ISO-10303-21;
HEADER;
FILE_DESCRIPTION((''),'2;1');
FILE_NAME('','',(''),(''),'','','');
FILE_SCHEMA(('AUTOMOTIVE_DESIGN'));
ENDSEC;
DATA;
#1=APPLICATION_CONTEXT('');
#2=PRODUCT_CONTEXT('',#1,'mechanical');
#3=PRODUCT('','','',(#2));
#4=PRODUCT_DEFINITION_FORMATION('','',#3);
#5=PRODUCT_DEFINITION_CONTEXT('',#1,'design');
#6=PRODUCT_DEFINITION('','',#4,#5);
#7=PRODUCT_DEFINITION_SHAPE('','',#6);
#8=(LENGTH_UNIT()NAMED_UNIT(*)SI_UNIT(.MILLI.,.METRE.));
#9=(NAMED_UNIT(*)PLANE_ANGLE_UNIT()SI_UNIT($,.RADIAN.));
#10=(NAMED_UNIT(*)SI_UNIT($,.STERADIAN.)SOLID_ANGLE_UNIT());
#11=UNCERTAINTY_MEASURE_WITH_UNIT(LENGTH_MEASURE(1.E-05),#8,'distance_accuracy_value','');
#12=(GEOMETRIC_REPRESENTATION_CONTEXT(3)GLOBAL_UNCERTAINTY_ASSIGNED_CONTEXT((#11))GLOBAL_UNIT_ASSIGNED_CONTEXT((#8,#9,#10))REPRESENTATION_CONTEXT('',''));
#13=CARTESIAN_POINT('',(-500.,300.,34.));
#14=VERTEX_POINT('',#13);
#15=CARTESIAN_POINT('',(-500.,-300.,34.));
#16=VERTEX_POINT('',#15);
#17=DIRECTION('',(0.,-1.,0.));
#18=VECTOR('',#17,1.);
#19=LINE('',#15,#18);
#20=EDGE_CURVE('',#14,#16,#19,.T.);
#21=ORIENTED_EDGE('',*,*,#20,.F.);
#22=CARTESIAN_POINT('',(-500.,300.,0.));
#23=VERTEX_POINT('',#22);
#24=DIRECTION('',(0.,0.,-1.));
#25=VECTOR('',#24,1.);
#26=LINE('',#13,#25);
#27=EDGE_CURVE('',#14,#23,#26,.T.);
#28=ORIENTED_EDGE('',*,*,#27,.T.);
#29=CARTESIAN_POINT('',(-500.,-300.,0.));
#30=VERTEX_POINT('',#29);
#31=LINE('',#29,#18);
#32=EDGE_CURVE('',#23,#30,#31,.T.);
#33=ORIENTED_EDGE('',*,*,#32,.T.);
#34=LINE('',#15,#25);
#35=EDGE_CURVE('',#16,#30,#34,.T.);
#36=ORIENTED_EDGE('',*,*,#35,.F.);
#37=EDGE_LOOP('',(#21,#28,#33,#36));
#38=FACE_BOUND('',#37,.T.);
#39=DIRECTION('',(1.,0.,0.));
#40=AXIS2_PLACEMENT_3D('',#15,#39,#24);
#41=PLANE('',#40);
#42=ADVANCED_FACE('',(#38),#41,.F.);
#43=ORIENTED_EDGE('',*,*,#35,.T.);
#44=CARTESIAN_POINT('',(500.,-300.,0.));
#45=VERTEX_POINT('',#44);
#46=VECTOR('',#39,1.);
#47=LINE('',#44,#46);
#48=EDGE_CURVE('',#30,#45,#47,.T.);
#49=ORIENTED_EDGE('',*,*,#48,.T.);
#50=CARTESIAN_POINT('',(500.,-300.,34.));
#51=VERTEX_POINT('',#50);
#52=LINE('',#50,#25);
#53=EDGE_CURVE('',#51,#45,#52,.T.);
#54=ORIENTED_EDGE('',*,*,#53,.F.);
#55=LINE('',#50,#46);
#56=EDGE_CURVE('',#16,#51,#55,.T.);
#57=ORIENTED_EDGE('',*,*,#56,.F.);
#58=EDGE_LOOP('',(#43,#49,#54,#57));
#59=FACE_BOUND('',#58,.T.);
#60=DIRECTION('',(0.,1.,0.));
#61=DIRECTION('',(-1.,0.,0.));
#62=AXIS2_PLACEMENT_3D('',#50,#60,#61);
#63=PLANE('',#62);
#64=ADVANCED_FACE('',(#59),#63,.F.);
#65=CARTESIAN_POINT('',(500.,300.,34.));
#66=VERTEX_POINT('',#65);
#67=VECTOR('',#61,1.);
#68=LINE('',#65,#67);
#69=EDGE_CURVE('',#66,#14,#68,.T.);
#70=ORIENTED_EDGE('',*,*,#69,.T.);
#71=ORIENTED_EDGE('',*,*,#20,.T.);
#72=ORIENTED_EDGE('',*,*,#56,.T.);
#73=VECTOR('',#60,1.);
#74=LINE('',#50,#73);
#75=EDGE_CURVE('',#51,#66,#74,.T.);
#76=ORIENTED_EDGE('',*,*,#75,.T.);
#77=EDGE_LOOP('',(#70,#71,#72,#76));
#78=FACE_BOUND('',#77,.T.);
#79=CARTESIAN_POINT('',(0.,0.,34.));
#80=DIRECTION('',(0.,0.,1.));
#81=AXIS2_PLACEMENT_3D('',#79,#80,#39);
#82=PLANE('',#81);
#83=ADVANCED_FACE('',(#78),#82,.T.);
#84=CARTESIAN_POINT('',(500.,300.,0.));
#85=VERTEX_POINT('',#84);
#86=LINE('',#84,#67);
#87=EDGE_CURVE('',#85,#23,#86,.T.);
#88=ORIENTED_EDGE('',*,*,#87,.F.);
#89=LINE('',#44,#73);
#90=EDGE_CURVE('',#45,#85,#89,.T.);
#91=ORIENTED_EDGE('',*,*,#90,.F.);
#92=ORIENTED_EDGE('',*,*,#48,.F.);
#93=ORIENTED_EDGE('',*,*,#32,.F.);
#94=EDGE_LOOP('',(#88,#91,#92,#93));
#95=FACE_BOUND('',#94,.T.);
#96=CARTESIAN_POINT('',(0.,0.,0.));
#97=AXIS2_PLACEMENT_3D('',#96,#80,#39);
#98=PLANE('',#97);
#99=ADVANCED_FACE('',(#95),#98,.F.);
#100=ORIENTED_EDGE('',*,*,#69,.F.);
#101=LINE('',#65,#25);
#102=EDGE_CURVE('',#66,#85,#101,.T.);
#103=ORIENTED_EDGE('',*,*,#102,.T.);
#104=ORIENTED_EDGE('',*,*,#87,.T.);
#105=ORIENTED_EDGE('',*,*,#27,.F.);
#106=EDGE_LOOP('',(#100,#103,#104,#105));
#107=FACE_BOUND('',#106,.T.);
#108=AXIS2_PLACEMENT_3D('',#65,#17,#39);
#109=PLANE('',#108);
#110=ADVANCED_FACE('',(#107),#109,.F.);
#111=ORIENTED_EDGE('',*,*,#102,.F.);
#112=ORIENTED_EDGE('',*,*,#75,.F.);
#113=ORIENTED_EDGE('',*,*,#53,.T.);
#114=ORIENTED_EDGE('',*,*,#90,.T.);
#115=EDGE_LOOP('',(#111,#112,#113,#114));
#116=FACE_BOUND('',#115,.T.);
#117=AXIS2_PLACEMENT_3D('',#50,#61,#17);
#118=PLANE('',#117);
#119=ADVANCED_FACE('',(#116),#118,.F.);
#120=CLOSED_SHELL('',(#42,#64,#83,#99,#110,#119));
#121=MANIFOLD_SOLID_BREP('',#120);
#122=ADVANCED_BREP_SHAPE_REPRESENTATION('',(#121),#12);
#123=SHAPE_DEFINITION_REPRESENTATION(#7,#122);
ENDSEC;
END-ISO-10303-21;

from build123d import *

# Parameters (mm, degrees)
SKETCH1_W           = 1000
SKETCH1_H           = 600
BOSS_EXTRUDE1_DEPTH = 34


with BuildPart() as part:
    # Sketch1 → Boss-Extrude1 (new body)
    with BuildSketch(Plane.XY):
        Rectangle(SKETCH1_W, SKETCH1_H)
    extrude(amount=BOSS_EXTRUDE1_DEPTH)


solid = part.part
